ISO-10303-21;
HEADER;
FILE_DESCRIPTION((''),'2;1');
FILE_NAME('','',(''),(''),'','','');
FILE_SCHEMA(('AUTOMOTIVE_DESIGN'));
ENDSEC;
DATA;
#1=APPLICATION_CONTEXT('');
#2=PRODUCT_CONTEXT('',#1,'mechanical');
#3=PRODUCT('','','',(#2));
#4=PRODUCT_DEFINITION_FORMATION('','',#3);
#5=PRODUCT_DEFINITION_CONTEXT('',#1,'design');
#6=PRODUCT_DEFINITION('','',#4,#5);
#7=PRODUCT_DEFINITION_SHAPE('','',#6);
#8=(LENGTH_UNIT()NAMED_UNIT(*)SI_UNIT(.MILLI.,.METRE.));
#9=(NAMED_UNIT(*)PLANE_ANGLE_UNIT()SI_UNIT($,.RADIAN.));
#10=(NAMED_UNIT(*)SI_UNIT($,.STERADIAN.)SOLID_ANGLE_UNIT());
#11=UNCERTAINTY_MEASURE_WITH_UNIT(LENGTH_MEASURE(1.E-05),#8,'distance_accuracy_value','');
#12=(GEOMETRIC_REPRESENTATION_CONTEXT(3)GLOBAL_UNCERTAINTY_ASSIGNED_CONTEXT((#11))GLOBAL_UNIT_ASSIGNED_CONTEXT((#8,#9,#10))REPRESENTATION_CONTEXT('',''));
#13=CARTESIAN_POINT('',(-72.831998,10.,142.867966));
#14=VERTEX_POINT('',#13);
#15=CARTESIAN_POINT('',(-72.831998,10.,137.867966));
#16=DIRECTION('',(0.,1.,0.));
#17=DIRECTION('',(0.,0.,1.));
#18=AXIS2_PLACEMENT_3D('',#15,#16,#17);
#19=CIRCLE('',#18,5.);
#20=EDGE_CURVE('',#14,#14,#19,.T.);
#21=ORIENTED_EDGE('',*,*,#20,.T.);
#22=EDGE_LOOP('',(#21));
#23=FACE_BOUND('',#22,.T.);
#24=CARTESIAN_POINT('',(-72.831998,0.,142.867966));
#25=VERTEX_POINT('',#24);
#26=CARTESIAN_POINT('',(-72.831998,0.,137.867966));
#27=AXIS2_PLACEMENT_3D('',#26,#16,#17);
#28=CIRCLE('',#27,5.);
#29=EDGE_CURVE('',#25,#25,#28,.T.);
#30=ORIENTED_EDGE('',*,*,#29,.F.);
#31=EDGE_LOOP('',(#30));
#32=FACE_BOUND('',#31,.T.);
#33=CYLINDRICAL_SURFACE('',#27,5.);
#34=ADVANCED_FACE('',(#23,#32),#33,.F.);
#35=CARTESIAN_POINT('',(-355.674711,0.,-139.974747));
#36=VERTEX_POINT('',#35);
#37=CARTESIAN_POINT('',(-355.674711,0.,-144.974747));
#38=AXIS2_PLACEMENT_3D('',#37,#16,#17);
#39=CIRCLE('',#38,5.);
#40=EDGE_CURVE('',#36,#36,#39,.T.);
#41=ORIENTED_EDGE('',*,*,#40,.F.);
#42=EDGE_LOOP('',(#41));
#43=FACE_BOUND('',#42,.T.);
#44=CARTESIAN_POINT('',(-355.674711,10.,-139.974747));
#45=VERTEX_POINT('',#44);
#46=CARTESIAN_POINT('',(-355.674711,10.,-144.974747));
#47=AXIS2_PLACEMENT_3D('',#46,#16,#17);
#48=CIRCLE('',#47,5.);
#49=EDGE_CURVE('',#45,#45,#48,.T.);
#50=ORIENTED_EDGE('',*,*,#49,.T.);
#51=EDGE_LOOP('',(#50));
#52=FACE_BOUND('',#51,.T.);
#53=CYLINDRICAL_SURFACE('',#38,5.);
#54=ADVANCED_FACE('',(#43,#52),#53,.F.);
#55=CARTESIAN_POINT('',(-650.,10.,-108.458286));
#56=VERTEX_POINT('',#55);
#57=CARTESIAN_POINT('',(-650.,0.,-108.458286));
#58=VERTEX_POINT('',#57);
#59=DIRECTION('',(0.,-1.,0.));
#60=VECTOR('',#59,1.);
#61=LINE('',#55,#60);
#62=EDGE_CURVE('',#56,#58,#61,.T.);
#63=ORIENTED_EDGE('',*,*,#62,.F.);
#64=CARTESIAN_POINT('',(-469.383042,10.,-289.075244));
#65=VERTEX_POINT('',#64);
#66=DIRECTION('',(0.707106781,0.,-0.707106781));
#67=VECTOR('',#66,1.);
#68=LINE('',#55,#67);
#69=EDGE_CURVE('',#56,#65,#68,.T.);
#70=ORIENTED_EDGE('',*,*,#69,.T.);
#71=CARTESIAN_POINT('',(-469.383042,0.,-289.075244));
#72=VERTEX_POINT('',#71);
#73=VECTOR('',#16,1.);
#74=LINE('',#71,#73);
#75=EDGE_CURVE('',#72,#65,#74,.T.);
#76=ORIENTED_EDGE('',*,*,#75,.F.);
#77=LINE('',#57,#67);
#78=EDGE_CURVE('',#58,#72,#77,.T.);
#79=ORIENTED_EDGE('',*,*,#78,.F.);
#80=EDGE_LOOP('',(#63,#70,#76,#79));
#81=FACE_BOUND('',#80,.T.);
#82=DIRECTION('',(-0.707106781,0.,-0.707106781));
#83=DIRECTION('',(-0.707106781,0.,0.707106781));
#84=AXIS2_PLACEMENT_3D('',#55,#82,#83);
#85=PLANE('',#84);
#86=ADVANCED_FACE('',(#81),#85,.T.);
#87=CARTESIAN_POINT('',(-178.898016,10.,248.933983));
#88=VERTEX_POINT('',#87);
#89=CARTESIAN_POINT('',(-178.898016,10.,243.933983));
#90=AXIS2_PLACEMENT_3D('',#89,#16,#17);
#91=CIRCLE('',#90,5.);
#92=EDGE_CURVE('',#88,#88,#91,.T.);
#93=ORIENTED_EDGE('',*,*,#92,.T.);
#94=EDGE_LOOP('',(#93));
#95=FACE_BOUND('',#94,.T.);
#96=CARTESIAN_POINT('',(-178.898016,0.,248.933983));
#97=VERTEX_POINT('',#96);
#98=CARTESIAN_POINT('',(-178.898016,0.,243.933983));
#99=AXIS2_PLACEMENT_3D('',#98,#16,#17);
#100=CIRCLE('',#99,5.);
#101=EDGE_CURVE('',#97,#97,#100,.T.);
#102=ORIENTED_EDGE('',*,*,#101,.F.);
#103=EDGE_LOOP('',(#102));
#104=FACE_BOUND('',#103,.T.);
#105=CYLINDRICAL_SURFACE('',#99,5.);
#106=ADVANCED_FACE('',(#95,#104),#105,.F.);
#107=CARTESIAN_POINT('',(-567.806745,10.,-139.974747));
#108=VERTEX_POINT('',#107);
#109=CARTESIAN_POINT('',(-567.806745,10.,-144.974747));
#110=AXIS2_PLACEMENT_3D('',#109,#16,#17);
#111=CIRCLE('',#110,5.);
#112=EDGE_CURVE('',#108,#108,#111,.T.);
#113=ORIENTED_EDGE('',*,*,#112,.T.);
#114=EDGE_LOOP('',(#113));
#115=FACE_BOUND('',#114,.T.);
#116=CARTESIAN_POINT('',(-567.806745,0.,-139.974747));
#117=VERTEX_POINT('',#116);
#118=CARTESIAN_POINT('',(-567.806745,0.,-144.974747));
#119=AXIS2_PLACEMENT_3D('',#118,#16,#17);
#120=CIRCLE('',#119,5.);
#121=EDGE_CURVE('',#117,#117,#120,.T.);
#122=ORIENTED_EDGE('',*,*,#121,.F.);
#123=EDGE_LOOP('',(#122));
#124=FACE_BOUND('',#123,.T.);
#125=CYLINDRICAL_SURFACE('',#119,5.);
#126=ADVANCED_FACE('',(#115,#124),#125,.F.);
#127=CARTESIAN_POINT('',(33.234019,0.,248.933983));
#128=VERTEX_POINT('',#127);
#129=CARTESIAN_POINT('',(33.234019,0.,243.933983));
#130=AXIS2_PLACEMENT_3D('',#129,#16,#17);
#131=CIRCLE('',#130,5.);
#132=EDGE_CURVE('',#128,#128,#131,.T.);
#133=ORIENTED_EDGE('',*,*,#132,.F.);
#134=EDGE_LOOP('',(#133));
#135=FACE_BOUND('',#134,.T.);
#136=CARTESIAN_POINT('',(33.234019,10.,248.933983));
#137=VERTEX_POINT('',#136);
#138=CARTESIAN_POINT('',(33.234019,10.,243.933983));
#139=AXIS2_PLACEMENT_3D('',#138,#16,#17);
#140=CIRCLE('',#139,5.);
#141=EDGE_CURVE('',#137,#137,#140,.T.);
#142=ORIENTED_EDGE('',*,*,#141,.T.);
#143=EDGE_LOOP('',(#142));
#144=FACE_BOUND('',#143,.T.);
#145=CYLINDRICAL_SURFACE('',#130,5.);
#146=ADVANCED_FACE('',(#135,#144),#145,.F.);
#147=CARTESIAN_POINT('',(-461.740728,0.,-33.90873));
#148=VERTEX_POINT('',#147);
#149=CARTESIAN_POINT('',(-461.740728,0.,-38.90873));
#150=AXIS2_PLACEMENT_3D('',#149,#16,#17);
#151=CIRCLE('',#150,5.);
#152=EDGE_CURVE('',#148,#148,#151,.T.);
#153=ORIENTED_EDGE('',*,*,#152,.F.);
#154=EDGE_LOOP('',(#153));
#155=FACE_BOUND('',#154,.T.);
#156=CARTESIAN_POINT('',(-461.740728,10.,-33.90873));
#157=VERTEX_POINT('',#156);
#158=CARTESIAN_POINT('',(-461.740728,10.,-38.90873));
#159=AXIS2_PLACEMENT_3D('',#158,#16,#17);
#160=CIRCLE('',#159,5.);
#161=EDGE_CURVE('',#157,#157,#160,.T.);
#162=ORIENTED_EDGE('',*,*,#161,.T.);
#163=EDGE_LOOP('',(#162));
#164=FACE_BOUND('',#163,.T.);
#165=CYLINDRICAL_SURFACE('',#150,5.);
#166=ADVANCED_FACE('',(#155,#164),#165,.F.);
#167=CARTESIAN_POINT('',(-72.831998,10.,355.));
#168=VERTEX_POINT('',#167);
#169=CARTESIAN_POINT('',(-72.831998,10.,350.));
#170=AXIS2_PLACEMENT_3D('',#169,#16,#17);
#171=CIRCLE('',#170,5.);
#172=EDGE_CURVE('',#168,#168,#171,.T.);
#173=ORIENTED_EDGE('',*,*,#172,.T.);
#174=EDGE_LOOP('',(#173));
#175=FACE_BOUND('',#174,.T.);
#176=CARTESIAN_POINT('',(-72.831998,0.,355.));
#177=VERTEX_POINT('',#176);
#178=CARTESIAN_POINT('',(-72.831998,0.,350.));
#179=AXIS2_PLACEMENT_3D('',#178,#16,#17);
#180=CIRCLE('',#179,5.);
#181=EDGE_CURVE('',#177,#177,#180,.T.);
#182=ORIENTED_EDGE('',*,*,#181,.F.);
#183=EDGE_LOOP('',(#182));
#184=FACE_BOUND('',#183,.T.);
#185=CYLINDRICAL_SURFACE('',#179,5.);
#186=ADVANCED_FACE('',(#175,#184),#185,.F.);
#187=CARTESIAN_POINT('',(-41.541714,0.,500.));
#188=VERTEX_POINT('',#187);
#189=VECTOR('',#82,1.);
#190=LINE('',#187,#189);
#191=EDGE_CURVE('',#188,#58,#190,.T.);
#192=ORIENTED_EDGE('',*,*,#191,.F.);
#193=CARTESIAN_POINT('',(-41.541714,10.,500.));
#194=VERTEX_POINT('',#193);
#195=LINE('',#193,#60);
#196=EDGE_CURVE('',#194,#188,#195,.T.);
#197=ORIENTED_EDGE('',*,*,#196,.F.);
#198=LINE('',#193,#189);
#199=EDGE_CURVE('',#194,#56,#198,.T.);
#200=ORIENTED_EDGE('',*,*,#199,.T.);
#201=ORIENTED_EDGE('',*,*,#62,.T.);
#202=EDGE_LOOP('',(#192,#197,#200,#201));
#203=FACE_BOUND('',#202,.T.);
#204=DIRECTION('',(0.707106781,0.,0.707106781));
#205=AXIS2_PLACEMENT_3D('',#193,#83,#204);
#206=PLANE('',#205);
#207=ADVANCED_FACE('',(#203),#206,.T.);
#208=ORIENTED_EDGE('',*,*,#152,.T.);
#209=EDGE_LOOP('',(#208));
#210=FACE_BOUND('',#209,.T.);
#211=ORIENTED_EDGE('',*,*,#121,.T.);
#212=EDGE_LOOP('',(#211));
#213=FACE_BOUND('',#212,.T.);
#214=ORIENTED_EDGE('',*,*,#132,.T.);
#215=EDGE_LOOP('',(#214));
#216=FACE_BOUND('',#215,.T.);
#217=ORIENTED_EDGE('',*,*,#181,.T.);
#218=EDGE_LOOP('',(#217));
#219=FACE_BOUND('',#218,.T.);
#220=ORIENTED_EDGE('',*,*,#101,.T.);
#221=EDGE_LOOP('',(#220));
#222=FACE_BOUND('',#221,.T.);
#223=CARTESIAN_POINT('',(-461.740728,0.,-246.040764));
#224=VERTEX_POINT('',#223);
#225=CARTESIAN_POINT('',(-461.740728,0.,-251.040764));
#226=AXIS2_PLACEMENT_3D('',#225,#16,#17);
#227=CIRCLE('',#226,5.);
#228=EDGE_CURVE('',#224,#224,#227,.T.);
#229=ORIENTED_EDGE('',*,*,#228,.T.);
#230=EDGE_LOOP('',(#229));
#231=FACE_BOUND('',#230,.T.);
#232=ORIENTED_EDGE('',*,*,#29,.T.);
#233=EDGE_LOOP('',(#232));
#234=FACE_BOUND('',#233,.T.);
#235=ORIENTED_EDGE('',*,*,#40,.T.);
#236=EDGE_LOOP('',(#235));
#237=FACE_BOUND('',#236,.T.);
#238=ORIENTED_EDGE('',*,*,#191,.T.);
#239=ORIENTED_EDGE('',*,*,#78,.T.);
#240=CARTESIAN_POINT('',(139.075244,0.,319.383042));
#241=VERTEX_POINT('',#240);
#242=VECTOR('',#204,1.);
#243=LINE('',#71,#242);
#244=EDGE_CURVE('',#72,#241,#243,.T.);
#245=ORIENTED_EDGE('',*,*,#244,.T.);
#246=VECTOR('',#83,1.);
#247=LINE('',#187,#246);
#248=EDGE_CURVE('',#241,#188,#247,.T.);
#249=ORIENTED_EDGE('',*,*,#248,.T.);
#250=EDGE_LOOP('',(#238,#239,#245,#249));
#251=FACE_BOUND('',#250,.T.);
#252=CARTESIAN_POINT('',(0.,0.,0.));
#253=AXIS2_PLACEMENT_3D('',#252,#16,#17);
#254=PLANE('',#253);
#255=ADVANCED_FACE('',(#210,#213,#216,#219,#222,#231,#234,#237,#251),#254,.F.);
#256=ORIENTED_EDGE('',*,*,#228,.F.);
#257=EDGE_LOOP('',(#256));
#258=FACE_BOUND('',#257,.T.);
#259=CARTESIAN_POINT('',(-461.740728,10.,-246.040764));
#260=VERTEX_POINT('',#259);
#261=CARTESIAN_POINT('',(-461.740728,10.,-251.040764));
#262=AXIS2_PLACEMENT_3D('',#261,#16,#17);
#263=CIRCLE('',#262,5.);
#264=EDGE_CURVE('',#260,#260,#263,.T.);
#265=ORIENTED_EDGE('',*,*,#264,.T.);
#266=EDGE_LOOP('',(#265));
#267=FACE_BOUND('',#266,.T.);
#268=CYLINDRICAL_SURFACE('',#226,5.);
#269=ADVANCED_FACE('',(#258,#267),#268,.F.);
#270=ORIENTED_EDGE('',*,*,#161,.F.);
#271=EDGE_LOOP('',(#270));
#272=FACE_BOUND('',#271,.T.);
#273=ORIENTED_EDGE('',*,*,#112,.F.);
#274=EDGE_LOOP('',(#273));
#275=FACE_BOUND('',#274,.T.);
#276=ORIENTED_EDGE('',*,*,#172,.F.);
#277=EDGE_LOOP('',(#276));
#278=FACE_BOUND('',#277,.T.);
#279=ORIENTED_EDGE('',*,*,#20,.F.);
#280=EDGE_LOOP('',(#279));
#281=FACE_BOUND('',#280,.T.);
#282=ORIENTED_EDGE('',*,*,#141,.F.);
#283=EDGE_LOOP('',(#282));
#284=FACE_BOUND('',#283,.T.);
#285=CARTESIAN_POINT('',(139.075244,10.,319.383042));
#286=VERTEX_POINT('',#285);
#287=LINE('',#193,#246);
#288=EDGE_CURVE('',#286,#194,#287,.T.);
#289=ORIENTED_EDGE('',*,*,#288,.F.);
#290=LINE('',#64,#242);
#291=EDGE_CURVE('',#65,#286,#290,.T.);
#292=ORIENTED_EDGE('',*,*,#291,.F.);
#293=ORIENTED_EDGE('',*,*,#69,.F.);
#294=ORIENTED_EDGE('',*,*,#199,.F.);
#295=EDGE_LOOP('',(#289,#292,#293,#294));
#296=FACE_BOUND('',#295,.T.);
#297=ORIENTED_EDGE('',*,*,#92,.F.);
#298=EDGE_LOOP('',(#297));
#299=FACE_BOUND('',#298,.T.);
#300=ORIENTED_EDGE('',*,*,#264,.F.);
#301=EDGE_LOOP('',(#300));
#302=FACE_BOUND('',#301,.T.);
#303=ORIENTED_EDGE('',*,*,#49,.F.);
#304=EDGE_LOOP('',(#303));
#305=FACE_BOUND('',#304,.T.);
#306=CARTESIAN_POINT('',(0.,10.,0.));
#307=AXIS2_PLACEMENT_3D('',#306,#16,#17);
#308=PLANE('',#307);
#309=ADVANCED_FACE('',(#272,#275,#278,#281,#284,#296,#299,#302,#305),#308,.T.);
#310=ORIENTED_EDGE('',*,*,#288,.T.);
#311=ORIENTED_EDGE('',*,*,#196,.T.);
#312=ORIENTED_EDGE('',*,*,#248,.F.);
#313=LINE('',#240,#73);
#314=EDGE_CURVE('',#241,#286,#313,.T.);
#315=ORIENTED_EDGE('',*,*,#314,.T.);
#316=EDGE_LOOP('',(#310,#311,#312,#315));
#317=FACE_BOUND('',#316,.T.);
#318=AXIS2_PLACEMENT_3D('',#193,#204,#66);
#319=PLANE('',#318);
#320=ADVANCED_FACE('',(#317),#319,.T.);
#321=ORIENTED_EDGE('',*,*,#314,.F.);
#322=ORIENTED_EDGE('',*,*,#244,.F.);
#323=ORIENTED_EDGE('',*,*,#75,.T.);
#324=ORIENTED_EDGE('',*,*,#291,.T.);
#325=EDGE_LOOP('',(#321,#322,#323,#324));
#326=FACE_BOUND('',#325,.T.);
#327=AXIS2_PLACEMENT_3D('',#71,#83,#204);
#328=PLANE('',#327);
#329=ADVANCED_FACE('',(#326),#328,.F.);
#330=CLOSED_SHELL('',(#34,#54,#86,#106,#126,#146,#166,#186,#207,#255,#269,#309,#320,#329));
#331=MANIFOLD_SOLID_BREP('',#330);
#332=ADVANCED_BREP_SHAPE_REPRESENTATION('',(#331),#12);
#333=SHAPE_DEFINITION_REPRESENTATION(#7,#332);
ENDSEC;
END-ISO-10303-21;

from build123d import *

# Parameters (mm, degrees)
CROQUIS2_W              = 1300
CROQUIS2_H              = 1000
SALIENTE_EXTRUIR1_DEPTH = 10
CROQUIS3_R              = 5
CORTAR_EXTRUIR1_DEPTH   = 11
CORTAR_EXTRUIR2_DEPTH   = 10
CORTAR_EXTRUIR3_DEPTH   = 10
CUT_EXTRUDE1_DEPTH      = 11


with BuildPart() as part:
    # Croquis2 → Saliente-Extruir1 (new body)
    with BuildSketch(Plane(origin=(0, 0, 0), x_dir=(1, 0, 0), z_dir=(0, 1, 0))):
        Rectangle(CROQUIS2_W, CROQUIS2_H)
    extrude(amount=SALIENTE_EXTRUIR1_DEPTH)

    # Croquis3 → Cortar-Extruir1 (cut, through all)
    with BuildSketch(Plane(origin=(0, 10, 0), x_dir=(1, 0, 0), z_dir=(0, 1, 0))):
        with Locations((-72.831998462, -137.867965644)):
            Circle(CROQUIS3_R)
        with Locations((33.234018716, -243.933982822)):
            Circle(CROQUIS3_R)
        with Locations((-72.831998462, -350)):
            Circle(CROQUIS3_R)
        with Locations((-178.89801564, -243.933982822)):
            Circle(CROQUIS3_R)
        with Locations((-461.740728115, 251.040764009)):
            Circle(CROQUIS3_R)
        with Locations((-355.674710937, 144.974746831)):
            Circle(CROQUIS3_R)
        with Locations((-461.740728115, 38.908729653)):
            Circle(CROQUIS3_R)
        with Locations((-567.806745293, 144.974746831)):
            Circle(CROQUIS3_R)
    extrude(amount=-CORTAR_EXTRUIR1_DEPTH, mode=Mode.SUBTRACT)

    # Croquis5 → Cortar-Extruir2 (cut)
    with BuildSketch(Plane(origin=(0, 0, 0), x_dir=(1, 0, 0), z_dir=(0, 1, 0))):
        Polygon((0, 0), (-500, 500), (650, 500), (650, -500), (500, -500), align=None)
        Polygon((-41.541714007, -500), (-650, 108.458285993), (-650, -500), align=None)
    extrude(amount=CORTAR_EXTRUIR2_DEPTH, mode=Mode.SUBTRACT)

    # Croquis6 → Cortar-Extruir3 (cut)
    with BuildSketch(Plane(origin=(0, 0, 0), x_dir=(1, 0, 0), z_dir=(0, 1, 0))):
        Polygon((-650, 108.458285993), (-379.229142997, 379.229142997), (-500, 500), (-650, 500), align=None)
        Polygon((-41.541714007, -500), (229.229142997, -229.229142997), (500, -500), align=None)
    extrude(amount=CORTAR_EXTRUIR3_DEPTH, mode=Mode.SUBTRACT)

    # Sketch1 → Cut-Extrude1 (cut, through all)
    with BuildSketch(Plane(origin=(0, 10, 0), x_dir=(1, 0, 0), z_dir=(0, 1, 0))):
        Polygon((-379.229142997, 379.229142997), (-469.383041958, 289.075244036), (139.075244036, -319.383041958), (229.229142997, -229.229142997), align=None)
    extrude(amount=-CUT_EXTRUDE1_DEPTH, mode=Mode.SUBTRACT)


solid = part.part
